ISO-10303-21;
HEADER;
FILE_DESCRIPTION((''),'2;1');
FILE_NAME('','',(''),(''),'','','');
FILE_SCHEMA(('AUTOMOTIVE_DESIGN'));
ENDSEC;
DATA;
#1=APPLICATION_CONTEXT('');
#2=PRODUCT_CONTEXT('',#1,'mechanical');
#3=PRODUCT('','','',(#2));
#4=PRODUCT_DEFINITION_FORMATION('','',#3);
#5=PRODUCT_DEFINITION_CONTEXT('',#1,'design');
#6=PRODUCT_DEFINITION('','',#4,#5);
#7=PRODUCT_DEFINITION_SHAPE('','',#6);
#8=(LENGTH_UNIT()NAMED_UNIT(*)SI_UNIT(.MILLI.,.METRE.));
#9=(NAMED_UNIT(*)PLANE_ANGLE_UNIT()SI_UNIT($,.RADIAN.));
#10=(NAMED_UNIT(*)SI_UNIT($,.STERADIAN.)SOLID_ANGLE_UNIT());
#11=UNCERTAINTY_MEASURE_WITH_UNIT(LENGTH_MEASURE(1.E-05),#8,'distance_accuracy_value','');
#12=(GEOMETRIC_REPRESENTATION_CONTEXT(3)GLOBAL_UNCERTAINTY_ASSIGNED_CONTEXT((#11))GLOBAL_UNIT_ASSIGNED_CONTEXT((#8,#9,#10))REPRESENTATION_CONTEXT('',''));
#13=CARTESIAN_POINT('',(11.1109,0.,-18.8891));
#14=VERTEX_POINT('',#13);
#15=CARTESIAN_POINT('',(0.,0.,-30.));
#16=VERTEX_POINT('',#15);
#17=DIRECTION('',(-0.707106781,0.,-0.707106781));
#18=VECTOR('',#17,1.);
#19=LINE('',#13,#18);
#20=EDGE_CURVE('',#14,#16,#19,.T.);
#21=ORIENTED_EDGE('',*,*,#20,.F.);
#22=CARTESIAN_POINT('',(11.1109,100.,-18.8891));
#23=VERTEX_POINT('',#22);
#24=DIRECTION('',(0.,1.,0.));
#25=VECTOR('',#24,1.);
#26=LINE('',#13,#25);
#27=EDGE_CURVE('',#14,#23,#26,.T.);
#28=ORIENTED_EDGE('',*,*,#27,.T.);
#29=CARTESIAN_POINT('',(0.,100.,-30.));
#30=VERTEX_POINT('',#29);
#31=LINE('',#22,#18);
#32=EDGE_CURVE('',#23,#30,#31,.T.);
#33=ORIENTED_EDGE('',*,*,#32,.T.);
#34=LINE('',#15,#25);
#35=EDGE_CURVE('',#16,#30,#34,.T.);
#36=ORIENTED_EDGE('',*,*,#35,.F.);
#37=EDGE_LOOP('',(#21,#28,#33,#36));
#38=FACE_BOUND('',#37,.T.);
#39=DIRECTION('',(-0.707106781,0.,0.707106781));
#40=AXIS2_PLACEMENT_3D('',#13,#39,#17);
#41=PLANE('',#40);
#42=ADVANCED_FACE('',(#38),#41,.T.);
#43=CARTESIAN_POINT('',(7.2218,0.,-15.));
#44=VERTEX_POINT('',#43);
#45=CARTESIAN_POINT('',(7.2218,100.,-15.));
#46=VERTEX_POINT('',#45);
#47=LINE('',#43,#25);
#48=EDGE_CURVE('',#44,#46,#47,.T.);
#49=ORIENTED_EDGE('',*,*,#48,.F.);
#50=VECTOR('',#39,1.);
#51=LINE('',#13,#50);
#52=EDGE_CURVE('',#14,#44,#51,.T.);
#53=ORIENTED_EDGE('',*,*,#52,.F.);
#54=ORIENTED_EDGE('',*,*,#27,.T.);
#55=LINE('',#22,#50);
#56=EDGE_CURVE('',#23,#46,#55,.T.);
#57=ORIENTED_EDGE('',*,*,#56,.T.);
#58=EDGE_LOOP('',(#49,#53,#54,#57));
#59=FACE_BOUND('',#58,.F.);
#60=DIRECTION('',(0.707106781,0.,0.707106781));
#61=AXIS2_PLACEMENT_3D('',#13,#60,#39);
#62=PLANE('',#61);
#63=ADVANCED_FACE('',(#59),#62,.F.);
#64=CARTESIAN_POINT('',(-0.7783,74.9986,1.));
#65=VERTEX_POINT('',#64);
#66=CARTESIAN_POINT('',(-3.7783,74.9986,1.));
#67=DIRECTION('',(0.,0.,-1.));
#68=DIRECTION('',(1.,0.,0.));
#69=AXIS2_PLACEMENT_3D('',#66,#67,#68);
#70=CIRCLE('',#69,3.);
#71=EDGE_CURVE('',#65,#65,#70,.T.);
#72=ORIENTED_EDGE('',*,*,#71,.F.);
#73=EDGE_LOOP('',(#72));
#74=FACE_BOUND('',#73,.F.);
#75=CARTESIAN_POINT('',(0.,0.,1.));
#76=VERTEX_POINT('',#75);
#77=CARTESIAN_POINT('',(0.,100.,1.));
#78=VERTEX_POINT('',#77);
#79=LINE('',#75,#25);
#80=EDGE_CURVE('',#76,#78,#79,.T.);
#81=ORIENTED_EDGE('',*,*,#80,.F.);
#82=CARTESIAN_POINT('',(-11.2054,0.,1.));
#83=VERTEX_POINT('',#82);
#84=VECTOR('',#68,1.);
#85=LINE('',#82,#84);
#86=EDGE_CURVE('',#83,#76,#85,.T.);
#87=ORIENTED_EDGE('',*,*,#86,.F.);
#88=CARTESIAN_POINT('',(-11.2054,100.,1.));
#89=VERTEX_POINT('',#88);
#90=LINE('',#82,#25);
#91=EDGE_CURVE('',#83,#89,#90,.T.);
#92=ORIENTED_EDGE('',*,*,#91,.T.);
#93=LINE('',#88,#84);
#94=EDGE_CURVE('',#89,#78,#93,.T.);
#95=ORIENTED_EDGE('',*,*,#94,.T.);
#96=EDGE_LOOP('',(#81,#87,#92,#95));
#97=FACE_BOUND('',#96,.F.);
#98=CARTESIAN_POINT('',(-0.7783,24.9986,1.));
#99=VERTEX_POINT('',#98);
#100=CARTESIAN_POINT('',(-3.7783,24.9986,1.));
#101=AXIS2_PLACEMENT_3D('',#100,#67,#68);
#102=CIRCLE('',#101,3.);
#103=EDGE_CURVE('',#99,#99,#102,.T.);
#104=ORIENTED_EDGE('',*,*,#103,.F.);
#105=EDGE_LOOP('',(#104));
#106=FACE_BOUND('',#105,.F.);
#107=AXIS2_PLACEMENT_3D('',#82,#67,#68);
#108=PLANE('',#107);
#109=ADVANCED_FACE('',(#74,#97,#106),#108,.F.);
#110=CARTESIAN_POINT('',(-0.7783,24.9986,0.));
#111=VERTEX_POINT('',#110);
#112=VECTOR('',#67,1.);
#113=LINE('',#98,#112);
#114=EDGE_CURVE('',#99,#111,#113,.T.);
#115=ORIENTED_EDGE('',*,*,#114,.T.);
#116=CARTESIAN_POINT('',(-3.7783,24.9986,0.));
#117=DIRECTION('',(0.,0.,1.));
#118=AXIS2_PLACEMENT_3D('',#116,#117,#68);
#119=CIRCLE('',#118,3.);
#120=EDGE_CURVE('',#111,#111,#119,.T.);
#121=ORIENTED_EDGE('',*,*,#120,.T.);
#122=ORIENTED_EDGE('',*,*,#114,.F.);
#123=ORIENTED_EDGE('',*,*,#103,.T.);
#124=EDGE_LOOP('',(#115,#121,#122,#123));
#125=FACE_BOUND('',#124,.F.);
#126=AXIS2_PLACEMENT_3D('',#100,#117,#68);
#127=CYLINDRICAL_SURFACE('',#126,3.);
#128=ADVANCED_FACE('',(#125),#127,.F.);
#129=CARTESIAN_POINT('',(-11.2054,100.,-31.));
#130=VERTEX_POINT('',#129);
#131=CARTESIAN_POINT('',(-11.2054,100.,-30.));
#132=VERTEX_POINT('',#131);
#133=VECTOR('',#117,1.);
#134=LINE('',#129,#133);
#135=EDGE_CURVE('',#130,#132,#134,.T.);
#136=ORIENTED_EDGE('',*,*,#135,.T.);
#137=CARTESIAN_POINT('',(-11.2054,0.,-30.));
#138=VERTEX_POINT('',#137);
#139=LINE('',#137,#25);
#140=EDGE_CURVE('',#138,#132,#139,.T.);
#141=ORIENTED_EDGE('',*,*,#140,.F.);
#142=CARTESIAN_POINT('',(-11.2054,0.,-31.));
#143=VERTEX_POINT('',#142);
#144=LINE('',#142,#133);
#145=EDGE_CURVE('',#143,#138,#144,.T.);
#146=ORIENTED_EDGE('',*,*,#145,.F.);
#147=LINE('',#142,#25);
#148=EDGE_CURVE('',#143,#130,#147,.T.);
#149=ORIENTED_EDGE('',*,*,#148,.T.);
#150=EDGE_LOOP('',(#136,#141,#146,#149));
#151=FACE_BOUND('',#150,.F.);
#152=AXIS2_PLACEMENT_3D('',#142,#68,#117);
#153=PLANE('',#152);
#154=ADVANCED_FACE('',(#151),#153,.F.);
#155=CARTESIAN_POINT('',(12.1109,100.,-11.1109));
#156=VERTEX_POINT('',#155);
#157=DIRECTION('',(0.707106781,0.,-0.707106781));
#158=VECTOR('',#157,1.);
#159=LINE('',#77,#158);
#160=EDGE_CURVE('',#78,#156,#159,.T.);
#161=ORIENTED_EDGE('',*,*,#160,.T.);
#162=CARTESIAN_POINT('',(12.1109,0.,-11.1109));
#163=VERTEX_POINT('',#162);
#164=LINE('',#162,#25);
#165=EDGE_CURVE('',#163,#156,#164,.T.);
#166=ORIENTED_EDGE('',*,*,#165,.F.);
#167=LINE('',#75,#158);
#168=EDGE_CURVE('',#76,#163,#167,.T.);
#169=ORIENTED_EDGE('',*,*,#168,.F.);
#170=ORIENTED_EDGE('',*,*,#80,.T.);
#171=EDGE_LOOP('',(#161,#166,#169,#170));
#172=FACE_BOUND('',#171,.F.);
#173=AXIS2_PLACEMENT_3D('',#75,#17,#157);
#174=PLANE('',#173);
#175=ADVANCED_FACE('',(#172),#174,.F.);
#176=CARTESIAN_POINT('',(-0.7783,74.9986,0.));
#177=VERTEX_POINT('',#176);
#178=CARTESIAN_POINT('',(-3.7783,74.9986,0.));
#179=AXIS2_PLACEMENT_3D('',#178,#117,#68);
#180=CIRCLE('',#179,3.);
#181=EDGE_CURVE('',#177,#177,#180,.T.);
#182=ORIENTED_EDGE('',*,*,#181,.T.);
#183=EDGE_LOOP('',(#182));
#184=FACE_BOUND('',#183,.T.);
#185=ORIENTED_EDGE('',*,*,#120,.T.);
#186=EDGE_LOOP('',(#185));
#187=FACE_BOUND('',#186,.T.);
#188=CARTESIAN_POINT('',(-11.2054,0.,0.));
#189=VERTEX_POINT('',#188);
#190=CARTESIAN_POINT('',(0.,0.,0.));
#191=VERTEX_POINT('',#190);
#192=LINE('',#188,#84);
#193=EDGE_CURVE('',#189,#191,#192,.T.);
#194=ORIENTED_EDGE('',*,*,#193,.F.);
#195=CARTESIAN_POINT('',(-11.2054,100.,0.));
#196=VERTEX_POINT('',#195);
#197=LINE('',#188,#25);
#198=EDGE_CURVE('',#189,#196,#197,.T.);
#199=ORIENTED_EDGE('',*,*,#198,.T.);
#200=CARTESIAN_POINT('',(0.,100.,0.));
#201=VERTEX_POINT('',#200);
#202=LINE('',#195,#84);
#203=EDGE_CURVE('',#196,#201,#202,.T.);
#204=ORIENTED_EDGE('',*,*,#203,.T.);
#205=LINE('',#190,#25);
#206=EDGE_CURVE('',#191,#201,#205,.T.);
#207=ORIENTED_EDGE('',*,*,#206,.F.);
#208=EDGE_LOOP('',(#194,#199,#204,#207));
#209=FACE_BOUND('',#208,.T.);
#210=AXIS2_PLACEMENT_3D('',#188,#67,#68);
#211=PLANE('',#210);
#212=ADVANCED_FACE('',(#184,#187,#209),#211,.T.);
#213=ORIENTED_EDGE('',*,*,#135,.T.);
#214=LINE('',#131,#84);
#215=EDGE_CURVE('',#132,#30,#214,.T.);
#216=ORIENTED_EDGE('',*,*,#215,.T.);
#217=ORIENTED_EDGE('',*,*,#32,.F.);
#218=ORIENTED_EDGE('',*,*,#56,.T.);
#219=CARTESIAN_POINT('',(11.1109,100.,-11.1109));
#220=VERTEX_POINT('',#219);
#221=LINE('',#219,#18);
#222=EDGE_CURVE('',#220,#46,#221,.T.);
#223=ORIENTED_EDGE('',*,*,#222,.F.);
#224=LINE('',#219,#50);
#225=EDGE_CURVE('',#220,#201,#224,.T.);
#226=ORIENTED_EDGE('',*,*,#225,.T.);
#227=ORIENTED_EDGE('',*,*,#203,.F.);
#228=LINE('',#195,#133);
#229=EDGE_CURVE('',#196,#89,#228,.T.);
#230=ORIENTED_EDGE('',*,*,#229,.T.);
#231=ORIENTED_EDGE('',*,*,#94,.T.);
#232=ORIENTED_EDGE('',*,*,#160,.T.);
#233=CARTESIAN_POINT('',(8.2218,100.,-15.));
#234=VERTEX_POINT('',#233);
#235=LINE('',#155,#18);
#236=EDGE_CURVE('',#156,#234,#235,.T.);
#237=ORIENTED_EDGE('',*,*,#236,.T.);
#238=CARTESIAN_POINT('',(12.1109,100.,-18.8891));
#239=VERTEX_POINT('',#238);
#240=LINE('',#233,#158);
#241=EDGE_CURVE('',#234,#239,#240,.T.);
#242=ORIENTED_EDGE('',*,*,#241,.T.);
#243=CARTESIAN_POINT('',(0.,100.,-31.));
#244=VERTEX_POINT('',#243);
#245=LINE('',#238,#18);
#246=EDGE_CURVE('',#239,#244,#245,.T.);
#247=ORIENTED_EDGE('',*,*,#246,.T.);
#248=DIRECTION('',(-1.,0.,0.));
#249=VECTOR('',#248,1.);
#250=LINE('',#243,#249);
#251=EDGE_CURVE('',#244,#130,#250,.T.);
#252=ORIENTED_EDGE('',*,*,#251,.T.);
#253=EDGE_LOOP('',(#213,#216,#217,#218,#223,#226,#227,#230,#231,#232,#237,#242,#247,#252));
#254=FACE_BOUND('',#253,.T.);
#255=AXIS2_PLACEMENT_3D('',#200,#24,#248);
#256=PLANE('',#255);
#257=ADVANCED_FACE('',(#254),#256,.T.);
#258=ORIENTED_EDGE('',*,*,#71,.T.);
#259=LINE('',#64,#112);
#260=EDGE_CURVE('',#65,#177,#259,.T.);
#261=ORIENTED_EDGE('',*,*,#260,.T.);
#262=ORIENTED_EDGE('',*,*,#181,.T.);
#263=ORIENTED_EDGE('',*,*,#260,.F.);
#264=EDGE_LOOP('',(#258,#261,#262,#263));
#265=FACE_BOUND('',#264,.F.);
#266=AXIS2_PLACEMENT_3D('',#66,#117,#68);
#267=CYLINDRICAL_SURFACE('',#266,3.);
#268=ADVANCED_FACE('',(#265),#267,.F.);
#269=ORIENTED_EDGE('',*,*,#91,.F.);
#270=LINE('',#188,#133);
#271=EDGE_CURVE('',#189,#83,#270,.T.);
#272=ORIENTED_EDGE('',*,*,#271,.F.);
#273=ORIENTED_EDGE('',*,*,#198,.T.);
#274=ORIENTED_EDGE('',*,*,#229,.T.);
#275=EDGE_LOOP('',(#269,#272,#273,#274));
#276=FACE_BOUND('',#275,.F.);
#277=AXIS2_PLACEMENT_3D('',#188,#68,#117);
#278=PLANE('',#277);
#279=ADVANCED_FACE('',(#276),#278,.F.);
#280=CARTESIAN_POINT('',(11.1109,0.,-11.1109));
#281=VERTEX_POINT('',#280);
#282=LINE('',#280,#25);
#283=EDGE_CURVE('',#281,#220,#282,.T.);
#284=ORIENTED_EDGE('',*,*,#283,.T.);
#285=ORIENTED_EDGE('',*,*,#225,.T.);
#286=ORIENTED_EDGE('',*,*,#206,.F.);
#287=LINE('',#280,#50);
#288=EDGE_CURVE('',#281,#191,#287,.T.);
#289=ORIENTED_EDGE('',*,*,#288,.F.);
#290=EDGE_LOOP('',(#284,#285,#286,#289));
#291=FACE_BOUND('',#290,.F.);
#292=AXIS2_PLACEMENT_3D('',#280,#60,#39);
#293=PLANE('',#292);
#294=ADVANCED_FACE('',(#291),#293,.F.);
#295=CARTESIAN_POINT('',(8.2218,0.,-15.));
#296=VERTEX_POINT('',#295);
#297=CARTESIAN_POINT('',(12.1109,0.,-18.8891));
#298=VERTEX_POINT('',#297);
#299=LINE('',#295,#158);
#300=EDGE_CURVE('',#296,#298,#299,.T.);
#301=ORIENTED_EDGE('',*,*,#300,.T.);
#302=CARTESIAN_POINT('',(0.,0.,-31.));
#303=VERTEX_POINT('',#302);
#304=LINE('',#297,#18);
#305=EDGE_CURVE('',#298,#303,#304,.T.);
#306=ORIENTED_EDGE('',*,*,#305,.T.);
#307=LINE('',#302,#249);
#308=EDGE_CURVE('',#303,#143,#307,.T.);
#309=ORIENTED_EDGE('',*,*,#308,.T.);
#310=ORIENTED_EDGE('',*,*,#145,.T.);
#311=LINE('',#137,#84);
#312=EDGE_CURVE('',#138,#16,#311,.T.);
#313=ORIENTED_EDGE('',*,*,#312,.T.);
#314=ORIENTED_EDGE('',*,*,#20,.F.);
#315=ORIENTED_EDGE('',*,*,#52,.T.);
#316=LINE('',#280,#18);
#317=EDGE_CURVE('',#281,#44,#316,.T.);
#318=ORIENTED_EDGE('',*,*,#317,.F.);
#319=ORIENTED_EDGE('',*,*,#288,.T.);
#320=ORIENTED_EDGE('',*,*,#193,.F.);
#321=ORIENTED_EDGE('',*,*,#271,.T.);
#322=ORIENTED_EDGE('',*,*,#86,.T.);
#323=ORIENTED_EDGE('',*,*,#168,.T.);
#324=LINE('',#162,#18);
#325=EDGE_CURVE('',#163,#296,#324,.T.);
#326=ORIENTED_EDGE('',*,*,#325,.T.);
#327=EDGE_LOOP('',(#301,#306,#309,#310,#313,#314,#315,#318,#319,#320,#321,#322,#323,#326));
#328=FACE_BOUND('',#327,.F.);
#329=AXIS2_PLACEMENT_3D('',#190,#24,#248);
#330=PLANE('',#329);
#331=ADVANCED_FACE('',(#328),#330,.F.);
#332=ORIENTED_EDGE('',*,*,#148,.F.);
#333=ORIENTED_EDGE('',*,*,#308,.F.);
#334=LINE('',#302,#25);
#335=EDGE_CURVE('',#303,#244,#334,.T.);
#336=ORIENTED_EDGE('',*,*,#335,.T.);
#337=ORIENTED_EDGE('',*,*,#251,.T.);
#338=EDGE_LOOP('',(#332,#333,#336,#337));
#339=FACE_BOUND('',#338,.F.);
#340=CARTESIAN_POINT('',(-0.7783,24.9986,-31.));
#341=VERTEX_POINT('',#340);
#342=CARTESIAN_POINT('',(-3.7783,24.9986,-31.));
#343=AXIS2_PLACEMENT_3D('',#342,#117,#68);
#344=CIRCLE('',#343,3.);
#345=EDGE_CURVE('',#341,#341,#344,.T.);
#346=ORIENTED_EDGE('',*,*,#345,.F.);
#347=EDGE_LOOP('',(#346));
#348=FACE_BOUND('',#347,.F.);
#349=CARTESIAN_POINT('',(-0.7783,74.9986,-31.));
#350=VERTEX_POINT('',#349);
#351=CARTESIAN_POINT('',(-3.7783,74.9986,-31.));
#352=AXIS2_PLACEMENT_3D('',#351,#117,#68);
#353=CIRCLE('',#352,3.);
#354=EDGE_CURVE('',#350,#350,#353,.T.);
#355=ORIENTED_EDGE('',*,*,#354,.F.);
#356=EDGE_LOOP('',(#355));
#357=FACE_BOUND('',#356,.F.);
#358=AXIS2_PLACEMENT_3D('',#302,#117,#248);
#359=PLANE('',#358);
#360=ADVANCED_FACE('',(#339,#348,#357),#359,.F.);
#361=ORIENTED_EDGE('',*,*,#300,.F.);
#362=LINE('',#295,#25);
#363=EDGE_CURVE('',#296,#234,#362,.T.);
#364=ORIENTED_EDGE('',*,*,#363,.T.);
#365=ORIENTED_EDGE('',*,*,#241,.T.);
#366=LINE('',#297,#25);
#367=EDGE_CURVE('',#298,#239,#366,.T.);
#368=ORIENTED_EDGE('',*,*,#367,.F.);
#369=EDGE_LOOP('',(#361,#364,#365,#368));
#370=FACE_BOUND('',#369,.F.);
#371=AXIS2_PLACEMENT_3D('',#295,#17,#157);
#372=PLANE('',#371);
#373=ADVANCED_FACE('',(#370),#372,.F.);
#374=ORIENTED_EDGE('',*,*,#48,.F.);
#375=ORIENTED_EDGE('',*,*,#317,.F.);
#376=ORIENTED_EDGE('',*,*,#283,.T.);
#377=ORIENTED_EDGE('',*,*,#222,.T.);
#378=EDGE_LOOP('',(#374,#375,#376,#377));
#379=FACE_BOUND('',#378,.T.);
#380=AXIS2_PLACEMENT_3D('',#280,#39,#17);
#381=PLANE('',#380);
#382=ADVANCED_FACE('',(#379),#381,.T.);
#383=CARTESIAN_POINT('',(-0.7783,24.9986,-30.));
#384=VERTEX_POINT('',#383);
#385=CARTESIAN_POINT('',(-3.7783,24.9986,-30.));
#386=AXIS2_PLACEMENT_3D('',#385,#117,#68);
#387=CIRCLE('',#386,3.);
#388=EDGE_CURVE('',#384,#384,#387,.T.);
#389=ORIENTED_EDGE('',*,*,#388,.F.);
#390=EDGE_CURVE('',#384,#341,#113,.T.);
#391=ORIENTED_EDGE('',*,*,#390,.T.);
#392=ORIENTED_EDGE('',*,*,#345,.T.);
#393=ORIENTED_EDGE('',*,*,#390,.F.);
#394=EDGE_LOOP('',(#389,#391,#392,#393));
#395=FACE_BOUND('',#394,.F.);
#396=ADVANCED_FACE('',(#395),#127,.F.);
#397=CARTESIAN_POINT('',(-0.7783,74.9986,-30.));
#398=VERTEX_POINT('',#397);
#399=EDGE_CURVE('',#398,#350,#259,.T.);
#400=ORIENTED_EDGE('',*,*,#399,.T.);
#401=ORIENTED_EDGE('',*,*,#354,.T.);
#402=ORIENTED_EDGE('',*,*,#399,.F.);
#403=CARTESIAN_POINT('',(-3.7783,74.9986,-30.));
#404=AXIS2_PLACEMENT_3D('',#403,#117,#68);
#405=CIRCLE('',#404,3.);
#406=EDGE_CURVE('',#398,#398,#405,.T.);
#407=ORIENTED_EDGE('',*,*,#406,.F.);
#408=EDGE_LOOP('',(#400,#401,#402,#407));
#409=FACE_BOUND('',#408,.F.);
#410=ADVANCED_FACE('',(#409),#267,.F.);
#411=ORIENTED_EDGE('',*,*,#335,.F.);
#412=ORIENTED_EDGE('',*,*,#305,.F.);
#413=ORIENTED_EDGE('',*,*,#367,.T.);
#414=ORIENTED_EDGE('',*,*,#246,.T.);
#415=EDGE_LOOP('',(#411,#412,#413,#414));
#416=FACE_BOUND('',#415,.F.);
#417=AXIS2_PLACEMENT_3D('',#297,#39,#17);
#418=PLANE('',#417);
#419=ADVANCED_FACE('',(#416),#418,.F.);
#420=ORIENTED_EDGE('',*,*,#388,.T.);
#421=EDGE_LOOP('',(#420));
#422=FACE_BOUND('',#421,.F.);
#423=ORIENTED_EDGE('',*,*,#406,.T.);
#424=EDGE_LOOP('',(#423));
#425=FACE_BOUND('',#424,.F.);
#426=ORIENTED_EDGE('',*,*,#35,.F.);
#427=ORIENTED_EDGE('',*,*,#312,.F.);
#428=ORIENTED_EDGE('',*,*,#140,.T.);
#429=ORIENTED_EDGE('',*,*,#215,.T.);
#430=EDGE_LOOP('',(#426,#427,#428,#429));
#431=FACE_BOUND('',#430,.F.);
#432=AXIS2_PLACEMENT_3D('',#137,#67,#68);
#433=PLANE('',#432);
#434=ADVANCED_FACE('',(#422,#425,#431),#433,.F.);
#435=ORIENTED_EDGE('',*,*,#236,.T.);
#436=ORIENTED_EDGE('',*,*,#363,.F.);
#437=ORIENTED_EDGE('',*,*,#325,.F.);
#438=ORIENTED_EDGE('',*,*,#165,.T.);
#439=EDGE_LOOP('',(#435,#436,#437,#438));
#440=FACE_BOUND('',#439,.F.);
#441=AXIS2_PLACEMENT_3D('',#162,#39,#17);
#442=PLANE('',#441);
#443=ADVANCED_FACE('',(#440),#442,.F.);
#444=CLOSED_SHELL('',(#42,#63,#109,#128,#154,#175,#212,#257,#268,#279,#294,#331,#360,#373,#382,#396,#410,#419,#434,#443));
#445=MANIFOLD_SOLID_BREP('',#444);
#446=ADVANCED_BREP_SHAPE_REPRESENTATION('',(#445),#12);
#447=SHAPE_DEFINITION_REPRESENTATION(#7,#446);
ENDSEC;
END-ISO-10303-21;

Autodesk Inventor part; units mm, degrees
ref_plane "YZ Plane" through (0, 0, 0) normal (1, 0, 0) x (0, 1, 0)
ref_plane "XZ Plane" through (0, 0, 0) normal (0, 1, 0) x (-1, 0, 0)
ref_plane "XY Plane" through (0, 0, 0) normal (0, 0, 1) x (1, 0, 0)
sketch "Sketch1" plane through (0, 0, 0) normal (0, 1, 0) x (-1, 0, 0)
  line L0 (0, 0) -> (11.2054, 0) construction
  line L1 (11.2054, 0) -> (0, 0) construction
  line L2 (-7.2218, -15) -> (-11.1109, -11.1109) construction
  line L3 (0, 0) -> (-11.1109, -11.1109) construction
  line L4 (-11.1109, -11.1109) -> (-7.2218, -15) construction
  line L5 (-11.1109, -18.8891) -> (0, -30) construction
  line L6 (-7.2218, -15) -> (-11.1109, -18.8891) construction
  line L7 (0, -30) -> (11.2054, -30) construction
  line L8 (11.2054, -30) -> (0, -30) construction
  line L9 (11.2054, -30) -> (11.2054, 0) construction
  line L10 (11.2054, 0) -> (11.2054, -30) construction
  line L11 (11.2054, 0) -> (11.2054, 1)
  line L12 (11.2054, 1) -> (0, 1)
  line L13 (0, 1) -> (-12.1109, -11.1109)
  line L14 (-12.1109, -11.1109) -> (-8.2218, -15)
  line L15 (-8.2218, -15) -> (-12.1109, -18.8891)
  line L16 (-12.1109, -18.8891) -> (0, -31)
  line L17 (0, -31) -> (11.2054, -31)
  line L18 (11.2054, -31) -> (11.2054, -30)
  line L19 (11.2054, -30) -> (0, -30)
  line L20 (-11.1109, -18.8891) -> (0, -30)
  line L21 (-11.1109, -18.8891) -> (-7.2218, -15)
  line L22 (-11.1109, -11.1109) -> (0, 0)
  line L23 (-11.1109, -11.1109) -> (-7.2218, -15)
  line L24 (11.2054, 0) -> (0, 0)
  point P0 (-20.2218, 0)
  dimension "d0" = 1
extrude "Extrusion1" add sketch "Sketch1" along normal blind 100
sketch "Sketch3" plane through (-11.2054, 0, 1) normal (0, 0, 1) x (1, 0, 0)
  line L0 (11.2053, -0.0014) -> (11.2053, 99.9986)
  line L1 (11.2053, 99.9986) -> (7.4271, 77.9986)
  circle A0 centre (7.4271, 74.9986) radius 3
  circle A1 centre (7.4271, 74.9986) radius 3
  line L2 (7.4271, 71.9986) -> (7.4271, 27.9986)
  circle A2 centre (7.4271, 24.9986) radius 3
  circle A3 centre (7.4271, 24.9986) radius 3
  point P0 (11.2054, 0)
  point P1 (0, 0)
extrude "Extrusion2" cut sketch "Sketch3" against normal up to surface (32 mm away)
properties part number "guardv2"
